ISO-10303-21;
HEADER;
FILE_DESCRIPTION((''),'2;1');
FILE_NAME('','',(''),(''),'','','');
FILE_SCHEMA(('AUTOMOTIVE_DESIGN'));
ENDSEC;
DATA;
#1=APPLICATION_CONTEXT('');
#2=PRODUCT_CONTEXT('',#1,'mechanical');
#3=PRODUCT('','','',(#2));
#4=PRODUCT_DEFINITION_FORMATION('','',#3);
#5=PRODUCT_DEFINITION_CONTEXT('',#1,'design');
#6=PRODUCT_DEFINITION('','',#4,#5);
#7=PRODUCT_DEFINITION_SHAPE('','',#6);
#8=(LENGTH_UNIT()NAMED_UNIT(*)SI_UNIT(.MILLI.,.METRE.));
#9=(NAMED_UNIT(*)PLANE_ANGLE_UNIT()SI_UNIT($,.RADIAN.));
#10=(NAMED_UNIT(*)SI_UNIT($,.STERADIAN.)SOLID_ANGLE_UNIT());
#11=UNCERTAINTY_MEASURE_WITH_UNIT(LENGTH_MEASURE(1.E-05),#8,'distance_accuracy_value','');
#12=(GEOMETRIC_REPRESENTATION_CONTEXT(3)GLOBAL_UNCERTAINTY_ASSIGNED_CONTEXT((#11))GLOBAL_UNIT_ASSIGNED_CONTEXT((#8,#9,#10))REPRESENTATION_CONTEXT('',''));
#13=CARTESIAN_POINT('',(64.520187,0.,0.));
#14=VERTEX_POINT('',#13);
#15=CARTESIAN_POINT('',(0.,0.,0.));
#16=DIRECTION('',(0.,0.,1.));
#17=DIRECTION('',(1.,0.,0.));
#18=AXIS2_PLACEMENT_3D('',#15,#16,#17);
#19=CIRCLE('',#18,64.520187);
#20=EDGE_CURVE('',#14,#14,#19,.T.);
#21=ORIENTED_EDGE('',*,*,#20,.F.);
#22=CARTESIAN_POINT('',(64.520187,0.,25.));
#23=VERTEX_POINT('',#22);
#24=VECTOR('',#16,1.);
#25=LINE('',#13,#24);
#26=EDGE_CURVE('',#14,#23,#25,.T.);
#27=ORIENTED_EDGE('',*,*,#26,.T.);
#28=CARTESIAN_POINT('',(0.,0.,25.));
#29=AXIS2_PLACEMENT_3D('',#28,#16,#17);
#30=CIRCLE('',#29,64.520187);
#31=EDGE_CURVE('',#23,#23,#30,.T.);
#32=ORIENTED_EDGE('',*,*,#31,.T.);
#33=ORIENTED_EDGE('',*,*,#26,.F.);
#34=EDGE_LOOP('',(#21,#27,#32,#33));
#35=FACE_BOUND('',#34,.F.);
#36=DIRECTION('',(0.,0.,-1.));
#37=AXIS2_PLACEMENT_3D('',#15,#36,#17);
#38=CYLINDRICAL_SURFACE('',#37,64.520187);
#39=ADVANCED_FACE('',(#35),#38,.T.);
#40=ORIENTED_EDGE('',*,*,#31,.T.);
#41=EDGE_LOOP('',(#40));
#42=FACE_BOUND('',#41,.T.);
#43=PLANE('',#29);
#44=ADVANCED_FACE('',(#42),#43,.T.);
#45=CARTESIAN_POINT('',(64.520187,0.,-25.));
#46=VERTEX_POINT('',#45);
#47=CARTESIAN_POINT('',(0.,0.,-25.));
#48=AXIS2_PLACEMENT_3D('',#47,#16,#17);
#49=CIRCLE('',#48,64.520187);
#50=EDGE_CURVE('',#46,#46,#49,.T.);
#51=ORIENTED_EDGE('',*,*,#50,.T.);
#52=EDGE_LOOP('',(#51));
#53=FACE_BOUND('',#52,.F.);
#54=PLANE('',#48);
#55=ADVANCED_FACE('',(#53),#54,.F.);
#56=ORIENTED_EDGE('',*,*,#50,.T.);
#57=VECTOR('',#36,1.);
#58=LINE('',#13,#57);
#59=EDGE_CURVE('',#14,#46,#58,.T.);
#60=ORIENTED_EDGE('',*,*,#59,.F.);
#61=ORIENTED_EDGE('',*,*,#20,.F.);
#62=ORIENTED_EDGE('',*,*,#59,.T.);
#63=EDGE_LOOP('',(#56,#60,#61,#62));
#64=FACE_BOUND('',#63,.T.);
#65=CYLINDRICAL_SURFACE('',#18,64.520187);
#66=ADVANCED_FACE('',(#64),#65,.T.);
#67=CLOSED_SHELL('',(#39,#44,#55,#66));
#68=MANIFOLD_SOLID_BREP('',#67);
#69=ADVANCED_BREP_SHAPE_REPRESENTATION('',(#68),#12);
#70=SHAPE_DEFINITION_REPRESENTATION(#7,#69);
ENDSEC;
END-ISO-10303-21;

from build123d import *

# Parameters (mm, degrees)
F0_R          = 64.5201872664
F1_DEPTH      = 25
F1_DEPTH_BACK = 25


with BuildPart() as f1:
    # F0 (on Top) → F1 (new body, two sides)
    with BuildSketch(Plane.XY) as f1_sk:
        Circle(F0_R)
    extrude(amount=-F1_DEPTH)
    extrude(f1_sk.sketch, amount=F1_DEPTH_BACK)


solid = f1.part
